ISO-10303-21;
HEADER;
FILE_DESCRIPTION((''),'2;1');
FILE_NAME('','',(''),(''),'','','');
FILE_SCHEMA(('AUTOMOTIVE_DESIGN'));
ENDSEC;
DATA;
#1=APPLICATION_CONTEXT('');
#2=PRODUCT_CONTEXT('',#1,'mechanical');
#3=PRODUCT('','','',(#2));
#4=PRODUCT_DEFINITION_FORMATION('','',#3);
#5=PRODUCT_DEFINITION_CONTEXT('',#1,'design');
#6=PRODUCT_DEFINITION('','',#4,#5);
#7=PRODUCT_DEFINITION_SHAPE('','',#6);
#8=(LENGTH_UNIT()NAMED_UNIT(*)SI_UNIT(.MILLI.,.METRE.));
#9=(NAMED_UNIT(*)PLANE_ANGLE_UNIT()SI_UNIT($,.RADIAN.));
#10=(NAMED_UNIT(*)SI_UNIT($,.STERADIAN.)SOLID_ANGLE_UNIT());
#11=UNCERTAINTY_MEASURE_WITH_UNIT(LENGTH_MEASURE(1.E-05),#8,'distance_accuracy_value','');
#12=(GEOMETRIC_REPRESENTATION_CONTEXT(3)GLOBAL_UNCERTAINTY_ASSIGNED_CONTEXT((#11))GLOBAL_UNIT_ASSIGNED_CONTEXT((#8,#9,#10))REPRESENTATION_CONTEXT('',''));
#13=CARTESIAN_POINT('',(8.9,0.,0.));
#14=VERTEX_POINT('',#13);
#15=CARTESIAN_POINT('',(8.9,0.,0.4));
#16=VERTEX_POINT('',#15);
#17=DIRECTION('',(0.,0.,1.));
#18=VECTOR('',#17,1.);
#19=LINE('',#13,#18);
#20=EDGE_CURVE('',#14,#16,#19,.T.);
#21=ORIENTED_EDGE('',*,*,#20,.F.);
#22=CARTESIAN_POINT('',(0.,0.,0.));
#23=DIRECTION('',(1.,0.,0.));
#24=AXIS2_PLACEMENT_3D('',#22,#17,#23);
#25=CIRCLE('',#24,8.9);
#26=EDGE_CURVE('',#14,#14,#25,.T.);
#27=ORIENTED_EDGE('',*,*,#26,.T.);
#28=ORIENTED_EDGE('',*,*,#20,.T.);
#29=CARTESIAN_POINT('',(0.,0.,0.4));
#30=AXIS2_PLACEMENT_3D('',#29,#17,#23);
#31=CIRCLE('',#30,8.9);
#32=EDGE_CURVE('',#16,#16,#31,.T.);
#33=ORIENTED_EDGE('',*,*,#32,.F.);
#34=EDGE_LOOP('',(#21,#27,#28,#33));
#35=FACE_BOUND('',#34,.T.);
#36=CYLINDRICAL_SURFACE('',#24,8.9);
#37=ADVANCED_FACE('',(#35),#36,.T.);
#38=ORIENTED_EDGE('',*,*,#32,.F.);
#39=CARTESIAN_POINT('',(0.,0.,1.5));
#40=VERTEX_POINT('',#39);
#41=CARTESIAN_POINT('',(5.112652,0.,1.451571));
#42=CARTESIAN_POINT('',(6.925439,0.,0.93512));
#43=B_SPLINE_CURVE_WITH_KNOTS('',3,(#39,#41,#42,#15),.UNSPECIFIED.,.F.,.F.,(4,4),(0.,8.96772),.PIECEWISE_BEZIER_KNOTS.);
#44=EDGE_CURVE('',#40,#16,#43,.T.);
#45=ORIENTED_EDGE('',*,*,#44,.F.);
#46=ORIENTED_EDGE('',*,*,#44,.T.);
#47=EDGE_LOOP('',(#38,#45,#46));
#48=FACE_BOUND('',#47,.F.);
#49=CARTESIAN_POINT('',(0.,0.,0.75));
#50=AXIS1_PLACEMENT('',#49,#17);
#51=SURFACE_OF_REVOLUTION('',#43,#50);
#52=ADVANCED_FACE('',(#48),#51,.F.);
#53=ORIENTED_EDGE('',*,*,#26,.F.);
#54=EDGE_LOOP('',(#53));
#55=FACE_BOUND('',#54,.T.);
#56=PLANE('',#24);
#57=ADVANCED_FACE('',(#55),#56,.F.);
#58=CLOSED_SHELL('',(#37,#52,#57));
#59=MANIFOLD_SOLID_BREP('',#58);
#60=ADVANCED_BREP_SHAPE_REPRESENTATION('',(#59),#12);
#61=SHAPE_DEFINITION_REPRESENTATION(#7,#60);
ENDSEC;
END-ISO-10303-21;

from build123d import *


with BuildPart() as f1:
    # F0 (on Front) → F1 (revolve)
    with BuildSketch(Plane.XZ):
        with BuildLine():
            Line((0, 0), (8.9, 0))
            Line((8.9, 0), (8.9, 0.4))
            add(Edge.make_bspline(
                [(0, 1.5), (5.112652, 1.451571), (6.925439, 0.93512), (8.9, 0.4)],
                knots=[0, 0, 0, 0, 8.96772, 8.96772, 8.96772, 8.96772], degree=3))
            Line((0, 1.5), (0, 0))
        make_face()
    revolve(axis=Axis((0, 0, 0.75), (0, 0, 1)))


solid = f1.part
